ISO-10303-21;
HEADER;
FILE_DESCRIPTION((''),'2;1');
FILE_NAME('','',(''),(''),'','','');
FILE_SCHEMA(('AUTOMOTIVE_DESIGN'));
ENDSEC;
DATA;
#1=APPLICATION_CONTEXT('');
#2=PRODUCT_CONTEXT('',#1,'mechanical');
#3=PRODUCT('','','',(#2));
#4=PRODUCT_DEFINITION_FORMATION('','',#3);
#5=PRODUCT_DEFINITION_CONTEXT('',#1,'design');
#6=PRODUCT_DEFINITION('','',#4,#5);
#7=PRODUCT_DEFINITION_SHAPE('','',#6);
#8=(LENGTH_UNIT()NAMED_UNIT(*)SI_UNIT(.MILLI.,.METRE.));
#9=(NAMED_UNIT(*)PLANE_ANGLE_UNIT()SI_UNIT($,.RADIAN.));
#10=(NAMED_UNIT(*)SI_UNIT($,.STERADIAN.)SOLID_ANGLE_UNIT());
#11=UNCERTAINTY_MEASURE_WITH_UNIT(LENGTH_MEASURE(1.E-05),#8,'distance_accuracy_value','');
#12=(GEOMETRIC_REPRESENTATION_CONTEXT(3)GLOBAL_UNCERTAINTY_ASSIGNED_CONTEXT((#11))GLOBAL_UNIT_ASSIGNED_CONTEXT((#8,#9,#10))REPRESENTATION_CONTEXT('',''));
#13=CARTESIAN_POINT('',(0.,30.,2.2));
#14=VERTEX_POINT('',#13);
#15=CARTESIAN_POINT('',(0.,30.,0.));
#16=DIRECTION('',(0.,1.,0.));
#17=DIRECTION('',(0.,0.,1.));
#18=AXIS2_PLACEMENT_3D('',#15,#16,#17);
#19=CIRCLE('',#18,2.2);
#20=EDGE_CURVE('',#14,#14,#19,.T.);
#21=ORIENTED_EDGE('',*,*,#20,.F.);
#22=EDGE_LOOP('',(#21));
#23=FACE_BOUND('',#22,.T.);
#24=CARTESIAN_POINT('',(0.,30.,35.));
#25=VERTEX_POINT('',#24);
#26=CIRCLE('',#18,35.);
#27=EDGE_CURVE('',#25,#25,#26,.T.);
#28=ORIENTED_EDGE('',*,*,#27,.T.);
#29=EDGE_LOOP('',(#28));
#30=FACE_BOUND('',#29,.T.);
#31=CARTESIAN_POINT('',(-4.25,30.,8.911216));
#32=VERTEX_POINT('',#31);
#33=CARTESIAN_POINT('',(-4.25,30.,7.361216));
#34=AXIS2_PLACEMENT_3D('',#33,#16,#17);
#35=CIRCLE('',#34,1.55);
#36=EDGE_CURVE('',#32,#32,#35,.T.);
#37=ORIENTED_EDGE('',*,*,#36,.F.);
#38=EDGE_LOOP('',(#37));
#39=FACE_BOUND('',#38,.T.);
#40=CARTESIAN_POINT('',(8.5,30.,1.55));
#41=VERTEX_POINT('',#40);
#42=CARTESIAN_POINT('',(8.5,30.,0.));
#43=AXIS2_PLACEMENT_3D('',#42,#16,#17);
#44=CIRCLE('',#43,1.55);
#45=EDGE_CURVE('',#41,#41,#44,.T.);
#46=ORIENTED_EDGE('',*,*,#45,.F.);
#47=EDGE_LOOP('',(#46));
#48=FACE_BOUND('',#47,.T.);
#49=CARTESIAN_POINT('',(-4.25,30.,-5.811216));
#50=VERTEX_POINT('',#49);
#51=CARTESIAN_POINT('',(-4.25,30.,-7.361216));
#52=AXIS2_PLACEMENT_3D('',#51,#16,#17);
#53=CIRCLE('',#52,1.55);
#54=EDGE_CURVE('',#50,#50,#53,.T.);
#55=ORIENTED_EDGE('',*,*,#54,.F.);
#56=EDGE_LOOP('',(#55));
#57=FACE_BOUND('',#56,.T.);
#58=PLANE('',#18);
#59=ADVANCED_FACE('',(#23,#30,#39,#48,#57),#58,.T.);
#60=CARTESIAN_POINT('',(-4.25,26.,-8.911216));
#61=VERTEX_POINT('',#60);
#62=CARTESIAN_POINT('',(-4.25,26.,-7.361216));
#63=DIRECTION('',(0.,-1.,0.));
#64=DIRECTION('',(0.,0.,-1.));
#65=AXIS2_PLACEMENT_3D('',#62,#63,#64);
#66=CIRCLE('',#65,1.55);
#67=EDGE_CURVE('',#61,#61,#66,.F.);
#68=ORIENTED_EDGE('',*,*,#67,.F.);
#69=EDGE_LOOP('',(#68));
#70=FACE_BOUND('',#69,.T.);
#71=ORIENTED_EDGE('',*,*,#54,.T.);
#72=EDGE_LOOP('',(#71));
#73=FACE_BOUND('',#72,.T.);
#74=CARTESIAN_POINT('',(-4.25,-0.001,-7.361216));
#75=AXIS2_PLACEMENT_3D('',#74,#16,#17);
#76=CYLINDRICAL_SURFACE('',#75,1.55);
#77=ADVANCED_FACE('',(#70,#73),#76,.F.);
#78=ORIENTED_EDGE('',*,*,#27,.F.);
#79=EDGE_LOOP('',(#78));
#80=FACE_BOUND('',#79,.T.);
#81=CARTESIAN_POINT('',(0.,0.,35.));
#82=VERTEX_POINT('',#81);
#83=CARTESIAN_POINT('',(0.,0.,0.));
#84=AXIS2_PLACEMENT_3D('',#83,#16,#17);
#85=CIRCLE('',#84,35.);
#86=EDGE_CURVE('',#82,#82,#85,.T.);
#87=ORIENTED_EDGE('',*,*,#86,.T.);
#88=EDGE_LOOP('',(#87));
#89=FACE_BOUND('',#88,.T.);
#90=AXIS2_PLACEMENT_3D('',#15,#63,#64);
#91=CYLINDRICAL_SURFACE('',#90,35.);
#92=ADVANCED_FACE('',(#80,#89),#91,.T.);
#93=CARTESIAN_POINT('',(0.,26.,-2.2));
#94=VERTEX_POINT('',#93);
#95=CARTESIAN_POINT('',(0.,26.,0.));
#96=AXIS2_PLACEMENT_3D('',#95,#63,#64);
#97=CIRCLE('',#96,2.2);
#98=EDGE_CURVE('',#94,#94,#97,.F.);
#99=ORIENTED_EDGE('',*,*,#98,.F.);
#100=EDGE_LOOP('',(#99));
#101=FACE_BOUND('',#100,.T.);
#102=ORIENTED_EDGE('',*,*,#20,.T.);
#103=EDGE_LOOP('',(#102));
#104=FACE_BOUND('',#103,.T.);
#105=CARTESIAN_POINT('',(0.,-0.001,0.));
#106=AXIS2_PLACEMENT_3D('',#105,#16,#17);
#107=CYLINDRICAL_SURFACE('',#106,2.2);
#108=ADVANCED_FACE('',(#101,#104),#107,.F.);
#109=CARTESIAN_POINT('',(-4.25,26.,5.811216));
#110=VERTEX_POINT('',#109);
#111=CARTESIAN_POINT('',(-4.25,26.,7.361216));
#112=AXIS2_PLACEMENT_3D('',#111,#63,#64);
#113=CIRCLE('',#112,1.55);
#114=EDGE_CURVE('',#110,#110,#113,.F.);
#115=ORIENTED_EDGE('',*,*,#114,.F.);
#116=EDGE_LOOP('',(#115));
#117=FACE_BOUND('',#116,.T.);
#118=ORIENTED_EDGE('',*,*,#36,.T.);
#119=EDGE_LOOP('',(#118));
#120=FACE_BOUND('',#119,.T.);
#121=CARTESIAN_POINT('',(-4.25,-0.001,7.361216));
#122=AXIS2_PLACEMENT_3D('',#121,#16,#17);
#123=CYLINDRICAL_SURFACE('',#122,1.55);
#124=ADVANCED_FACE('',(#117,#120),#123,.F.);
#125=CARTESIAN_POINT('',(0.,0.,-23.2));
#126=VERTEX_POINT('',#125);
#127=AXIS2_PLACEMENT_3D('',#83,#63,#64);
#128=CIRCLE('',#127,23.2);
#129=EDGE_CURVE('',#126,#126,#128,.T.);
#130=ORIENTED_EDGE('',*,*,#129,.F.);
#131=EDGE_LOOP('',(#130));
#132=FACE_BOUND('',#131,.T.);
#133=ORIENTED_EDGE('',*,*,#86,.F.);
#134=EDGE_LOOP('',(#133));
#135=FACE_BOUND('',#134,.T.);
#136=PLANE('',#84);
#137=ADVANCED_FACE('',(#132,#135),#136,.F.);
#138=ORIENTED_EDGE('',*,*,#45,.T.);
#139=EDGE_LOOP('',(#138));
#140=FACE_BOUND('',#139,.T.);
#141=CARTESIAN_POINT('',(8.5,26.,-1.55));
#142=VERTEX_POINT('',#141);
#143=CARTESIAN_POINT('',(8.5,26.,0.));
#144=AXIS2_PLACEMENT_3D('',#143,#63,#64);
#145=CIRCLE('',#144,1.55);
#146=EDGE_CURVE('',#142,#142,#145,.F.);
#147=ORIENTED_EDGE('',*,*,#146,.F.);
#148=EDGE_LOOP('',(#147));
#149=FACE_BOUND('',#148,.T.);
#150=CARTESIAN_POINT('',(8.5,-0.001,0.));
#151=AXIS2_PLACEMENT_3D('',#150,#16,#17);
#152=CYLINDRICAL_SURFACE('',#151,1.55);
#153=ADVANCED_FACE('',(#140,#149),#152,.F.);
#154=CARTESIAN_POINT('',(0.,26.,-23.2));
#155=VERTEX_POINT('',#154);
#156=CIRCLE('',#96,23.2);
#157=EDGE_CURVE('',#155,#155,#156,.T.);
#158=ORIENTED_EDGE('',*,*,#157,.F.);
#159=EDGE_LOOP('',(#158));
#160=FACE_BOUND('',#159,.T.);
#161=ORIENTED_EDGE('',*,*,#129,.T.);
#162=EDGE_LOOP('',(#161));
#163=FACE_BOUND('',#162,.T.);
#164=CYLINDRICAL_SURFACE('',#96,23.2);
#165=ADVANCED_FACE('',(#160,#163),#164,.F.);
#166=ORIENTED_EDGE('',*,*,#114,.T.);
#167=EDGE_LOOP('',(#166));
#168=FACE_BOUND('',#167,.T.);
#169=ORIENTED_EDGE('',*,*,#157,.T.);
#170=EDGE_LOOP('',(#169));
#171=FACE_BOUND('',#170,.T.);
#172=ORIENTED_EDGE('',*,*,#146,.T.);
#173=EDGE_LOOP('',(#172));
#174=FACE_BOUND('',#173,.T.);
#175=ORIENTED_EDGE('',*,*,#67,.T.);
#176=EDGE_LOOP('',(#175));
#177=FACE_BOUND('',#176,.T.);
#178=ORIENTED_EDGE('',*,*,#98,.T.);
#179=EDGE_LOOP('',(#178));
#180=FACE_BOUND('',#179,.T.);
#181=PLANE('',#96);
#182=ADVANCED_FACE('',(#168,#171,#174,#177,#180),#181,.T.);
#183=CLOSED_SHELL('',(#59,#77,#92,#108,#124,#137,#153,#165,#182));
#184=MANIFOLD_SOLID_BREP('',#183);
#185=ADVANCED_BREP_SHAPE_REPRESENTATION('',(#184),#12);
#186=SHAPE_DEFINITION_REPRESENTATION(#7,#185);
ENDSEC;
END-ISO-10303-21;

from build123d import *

# Parameters (mm, degrees)
SKETCH_1_R          = 35
EXTRUDE_1_DEPTH     = 30
SKETCH_2_R          = 23.2
CUT_EXTRUDE_1_DEPTH = 26
CUT_EXTRUDE_2_REACH = 32
SKETCH_3_R          = 2.2
SKETCH_3_R_2        = 1.55


with BuildPart() as part:
    # 草图1 → 凸台-拉伸1 (new body)
    with BuildSketch(Plane(origin=(0, 0, 0), x_dir=(1, 0, 0), z_dir=(0, 1, 0))):
        Circle(SKETCH_1_R)
    extrude(amount=EXTRUDE_1_DEPTH)

    # 草图2 → 切除-拉伸1 (cut)
    with BuildSketch(Plane.XZ):
        Circle(SKETCH_2_R)
    extrude(amount=-CUT_EXTRUDE_1_DEPTH, mode=Mode.SUBTRACT)

    # 草图3 → 切除-拉伸2 (cut, up to next)
    with BuildSketch(Plane(origin=(0, 30, 0), x_dir=(1, 0, 0), z_dir=(0, 1, 0)), mode=Mode.PRIVATE) as cut_extrude_2_sk1:
        Circle(SKETCH_3_R)
    cut_extrude_2_tool1 = extrude(cut_extrude_2_sk1.sketch, amount=-CUT_EXTRUDE_2_REACH, mode=Mode.PRIVATE) & part.part
    add(cut_extrude_2_tool1.solids().sort_by_distance((0, 30, 0))[0], mode=Mode.SUBTRACT)
    # 草图3 → 切除-拉伸2 (cut, up to next)
    with BuildSketch(Plane(origin=(0, 30, 0), x_dir=(1, 0, 0), z_dir=(0, 1, 0)), mode=Mode.PRIVATE) as cut_extrude_2_sk2:
        with Locations((8.5, 0)):
            Circle(SKETCH_3_R_2)
    cut_extrude_2_tool2 = extrude(cut_extrude_2_sk2.sketch, amount=-CUT_EXTRUDE_2_REACH, mode=Mode.PRIVATE) & part.part
    add(cut_extrude_2_tool2.solids().sort_by_distance((8.5, 30, 0))[0], mode=Mode.SUBTRACT)
    # 草图3 → 切除-拉伸2 (cut, up to next)
    with BuildSketch(Plane(origin=(0, 30, 0), x_dir=(1, 0, 0), z_dir=(0, 1, 0)), mode=Mode.PRIVATE) as cut_extrude_2_sk3:
        with Locations((-4.25, -7.361215932)):
            Circle(SKETCH_3_R_2)
    cut_extrude_2_tool3 = extrude(cut_extrude_2_sk3.sketch, amount=-CUT_EXTRUDE_2_REACH, mode=Mode.PRIVATE) & part.part
    add(cut_extrude_2_tool3.solids().sort_by_distance((-4.25, 30, 7.361216))[0], mode=Mode.SUBTRACT)
    # 草图3 → 切除-拉伸2 (cut, up to next)
    with BuildSketch(Plane(origin=(0, 30, 0), x_dir=(1, 0, 0), z_dir=(0, 1, 0)), mode=Mode.PRIVATE) as cut_extrude_2_sk4:
        with Locations((-4.25, 7.361215932)):
            Circle(SKETCH_3_R_2)
    cut_extrude_2_tool4 = extrude(cut_extrude_2_sk4.sketch, amount=-CUT_EXTRUDE_2_REACH, mode=Mode.PRIVATE) & part.part
    add(cut_extrude_2_tool4.solids().sort_by_distance((-4.25, 30, -7.361216))[0], mode=Mode.SUBTRACT)


solid = part.part
